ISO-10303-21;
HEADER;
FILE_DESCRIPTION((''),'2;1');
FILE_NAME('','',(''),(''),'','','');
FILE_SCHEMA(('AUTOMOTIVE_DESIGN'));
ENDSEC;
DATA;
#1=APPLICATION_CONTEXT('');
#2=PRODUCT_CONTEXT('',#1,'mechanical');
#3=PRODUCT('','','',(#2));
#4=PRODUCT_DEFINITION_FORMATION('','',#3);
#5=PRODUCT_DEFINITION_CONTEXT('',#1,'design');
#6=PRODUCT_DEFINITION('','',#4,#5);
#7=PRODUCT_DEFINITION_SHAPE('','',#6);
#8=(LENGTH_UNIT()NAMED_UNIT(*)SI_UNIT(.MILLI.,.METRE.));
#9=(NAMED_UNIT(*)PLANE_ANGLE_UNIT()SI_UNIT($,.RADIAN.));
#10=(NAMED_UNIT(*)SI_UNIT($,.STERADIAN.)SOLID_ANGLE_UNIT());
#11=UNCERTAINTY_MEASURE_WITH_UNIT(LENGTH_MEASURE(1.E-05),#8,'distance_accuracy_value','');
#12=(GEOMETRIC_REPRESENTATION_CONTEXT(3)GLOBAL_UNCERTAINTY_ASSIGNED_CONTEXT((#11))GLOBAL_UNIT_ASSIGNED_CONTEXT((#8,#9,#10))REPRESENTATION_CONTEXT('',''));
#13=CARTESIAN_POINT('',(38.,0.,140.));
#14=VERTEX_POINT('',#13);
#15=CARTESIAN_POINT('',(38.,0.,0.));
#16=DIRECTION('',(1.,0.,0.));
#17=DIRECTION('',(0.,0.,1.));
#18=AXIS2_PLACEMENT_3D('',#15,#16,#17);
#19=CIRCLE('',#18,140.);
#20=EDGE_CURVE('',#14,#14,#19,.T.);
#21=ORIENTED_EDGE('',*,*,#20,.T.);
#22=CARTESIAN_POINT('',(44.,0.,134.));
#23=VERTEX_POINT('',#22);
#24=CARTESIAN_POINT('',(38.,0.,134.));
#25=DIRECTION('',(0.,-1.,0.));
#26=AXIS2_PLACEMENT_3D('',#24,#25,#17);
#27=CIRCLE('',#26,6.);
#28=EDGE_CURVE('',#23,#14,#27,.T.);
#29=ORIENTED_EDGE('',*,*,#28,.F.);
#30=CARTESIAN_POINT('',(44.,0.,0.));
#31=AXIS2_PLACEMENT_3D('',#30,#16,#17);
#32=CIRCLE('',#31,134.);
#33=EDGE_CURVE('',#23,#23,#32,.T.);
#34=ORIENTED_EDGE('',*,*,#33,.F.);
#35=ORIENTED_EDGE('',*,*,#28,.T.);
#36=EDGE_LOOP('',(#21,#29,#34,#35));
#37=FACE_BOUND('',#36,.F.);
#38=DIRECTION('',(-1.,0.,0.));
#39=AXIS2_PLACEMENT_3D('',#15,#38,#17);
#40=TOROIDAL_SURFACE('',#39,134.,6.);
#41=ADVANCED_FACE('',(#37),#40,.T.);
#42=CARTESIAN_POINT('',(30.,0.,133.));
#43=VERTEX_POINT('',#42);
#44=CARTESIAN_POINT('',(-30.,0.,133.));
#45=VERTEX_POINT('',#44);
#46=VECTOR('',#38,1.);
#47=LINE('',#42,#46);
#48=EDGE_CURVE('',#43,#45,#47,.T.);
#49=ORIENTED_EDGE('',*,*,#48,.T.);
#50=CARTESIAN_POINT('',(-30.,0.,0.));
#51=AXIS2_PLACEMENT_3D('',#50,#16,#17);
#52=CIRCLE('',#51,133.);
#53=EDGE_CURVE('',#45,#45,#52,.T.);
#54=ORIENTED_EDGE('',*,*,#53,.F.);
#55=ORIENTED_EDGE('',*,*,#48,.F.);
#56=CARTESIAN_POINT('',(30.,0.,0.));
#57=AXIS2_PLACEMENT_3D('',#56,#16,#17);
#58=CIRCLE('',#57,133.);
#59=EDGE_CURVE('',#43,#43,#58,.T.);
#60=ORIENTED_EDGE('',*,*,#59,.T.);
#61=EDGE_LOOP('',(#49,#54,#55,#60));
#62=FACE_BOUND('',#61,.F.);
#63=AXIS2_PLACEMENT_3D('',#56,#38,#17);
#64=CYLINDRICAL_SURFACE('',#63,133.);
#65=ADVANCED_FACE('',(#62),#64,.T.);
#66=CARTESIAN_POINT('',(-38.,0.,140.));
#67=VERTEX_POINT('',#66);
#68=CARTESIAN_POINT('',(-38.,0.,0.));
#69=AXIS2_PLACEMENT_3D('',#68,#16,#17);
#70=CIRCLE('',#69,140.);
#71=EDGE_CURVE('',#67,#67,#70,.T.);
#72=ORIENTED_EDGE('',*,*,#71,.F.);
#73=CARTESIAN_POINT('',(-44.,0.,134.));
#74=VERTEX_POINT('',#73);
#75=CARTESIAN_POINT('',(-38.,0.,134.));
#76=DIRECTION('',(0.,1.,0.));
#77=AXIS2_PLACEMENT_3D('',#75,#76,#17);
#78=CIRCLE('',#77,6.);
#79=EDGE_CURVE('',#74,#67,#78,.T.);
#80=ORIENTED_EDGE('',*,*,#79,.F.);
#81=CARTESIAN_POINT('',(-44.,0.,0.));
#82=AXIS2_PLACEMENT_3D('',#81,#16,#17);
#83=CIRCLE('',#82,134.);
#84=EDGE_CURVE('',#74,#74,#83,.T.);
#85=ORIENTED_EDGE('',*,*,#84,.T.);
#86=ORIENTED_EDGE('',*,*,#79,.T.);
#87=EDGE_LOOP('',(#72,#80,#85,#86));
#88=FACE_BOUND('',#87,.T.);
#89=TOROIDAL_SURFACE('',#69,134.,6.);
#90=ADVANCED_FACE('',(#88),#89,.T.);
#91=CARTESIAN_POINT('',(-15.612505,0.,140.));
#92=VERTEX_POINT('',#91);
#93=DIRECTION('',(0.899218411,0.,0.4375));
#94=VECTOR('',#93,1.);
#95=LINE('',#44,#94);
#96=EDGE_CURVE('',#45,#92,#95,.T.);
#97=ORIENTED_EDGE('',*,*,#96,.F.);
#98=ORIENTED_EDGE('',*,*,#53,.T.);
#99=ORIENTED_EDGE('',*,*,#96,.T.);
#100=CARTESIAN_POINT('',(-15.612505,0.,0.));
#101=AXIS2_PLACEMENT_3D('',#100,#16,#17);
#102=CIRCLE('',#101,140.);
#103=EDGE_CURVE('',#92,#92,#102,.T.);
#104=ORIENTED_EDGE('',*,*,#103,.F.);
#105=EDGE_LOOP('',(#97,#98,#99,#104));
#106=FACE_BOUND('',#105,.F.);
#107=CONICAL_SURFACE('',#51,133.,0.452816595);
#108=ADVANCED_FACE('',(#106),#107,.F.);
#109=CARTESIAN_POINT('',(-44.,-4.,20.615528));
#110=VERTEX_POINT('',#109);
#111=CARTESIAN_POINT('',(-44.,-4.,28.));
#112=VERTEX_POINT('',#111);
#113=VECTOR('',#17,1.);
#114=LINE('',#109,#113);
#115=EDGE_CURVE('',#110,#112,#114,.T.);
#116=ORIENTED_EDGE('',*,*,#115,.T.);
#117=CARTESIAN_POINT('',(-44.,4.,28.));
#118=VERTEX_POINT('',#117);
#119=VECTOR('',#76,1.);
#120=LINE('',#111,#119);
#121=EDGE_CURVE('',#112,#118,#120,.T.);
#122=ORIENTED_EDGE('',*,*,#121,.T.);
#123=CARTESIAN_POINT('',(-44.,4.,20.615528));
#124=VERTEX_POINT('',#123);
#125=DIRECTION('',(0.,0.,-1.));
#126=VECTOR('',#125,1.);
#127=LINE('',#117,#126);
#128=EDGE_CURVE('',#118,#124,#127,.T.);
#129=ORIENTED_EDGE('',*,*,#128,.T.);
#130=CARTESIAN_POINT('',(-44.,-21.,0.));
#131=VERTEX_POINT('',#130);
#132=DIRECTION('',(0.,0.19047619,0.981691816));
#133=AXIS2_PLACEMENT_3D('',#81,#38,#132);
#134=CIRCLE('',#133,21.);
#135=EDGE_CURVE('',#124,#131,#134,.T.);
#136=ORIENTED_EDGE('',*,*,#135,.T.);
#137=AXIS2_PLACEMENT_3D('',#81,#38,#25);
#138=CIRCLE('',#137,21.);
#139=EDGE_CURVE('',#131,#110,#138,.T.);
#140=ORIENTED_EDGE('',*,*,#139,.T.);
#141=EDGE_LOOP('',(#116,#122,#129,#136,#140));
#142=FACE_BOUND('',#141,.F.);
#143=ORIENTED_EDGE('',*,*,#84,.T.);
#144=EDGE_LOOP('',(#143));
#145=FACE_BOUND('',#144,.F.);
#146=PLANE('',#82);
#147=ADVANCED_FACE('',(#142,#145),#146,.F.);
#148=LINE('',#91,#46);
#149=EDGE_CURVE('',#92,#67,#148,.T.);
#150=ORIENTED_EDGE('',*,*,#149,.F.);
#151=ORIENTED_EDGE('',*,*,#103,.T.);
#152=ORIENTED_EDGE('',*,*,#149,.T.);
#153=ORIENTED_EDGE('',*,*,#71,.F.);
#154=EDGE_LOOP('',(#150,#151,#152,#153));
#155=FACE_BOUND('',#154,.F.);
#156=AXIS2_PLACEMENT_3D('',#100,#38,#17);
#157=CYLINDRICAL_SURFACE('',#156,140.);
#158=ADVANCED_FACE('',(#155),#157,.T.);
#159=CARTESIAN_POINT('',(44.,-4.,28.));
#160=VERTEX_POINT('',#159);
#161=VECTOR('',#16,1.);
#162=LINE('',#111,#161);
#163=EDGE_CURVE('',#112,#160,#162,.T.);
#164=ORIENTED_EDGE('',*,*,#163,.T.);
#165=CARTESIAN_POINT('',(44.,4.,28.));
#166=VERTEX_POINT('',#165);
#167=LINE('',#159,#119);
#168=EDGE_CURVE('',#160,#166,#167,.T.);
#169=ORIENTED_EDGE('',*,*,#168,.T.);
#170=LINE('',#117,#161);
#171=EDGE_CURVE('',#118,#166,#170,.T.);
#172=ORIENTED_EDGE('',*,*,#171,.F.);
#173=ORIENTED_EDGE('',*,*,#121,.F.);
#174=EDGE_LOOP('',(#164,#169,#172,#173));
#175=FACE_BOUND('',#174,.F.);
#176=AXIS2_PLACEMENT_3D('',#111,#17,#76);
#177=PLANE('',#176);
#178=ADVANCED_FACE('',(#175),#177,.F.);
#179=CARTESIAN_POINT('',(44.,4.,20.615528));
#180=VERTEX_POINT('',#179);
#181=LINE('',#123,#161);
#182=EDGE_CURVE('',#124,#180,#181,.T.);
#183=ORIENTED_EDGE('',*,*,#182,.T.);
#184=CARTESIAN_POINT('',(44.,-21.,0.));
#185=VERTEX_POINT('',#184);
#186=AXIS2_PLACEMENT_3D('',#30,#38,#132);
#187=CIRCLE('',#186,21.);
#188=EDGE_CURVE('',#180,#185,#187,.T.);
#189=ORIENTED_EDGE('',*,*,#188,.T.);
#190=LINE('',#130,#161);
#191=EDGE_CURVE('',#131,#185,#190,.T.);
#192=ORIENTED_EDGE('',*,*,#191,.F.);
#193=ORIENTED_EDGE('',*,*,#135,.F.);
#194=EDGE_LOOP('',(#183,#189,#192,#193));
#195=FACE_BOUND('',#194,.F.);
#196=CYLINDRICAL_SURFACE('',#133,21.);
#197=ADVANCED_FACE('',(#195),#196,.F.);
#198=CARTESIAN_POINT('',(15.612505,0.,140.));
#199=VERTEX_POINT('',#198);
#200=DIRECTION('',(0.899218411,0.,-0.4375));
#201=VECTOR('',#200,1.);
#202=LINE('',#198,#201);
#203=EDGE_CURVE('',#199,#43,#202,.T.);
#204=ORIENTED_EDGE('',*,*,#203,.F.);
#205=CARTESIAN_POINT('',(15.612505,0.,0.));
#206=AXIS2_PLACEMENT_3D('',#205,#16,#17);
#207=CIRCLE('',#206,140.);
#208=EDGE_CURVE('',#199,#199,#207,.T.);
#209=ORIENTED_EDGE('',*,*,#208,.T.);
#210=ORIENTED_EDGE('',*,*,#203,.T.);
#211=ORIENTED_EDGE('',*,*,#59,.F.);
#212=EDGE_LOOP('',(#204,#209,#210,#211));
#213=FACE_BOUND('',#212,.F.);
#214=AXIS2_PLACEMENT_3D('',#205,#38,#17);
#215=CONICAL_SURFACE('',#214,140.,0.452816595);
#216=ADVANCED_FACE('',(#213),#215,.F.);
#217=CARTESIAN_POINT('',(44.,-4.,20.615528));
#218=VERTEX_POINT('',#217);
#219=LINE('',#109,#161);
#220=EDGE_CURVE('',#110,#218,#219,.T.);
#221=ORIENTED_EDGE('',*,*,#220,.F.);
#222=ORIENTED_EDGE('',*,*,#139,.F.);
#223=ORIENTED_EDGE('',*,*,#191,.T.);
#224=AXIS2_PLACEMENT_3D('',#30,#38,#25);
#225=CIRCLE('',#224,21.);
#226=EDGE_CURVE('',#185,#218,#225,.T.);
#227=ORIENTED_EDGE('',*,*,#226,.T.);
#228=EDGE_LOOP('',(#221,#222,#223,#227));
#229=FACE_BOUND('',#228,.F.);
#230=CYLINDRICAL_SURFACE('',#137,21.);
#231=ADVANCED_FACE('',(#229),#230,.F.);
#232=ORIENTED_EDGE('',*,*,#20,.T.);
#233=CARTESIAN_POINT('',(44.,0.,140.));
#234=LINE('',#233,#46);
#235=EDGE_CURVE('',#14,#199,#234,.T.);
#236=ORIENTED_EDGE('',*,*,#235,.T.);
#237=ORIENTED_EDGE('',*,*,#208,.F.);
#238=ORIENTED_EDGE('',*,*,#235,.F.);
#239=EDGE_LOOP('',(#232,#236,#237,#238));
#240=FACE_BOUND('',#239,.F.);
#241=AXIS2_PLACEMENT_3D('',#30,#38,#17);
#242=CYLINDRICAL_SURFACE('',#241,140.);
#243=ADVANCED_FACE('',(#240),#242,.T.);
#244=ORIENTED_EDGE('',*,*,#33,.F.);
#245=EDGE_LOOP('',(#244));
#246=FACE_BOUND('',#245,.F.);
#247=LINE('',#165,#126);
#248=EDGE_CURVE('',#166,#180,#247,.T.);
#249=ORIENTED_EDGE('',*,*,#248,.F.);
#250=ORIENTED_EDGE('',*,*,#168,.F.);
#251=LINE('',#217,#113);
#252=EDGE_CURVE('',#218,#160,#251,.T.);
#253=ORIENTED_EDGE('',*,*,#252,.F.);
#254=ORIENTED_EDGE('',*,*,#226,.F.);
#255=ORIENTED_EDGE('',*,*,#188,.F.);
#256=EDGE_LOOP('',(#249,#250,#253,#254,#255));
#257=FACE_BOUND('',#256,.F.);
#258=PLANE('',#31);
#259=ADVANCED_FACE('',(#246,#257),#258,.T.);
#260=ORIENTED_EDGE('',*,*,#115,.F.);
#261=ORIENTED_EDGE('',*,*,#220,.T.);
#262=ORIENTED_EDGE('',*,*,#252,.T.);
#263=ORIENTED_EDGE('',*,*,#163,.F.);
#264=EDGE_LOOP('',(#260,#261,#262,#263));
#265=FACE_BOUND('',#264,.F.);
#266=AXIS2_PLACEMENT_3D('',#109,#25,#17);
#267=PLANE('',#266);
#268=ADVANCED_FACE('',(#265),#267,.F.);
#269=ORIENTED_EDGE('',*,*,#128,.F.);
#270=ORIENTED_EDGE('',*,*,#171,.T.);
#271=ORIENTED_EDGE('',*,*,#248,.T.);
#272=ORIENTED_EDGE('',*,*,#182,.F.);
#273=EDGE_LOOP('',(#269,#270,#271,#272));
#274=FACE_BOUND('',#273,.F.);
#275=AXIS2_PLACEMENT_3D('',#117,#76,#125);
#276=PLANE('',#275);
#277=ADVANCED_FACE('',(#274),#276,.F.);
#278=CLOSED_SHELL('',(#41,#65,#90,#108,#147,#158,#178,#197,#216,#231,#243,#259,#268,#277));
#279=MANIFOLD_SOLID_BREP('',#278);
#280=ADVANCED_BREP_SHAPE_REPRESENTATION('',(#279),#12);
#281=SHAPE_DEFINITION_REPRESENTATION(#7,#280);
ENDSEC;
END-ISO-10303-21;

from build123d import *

# Parameters (mm, degrees)
F2_R     = 6
F4_DEPTH = 88


with BuildPart() as f1:
    # F0 (on Front) → F1 (revolve)
    with BuildSketch(Plane.XZ):
        Polygon((-44, 140), (-44, 0), (44, 0), (44, 140), (15.6125054301, 140), (30, 133), (-30, 133), (-15.6125054301, 140), align=None)
    revolve(axis=Axis((0, 0, 0), (1, 0, 0)))

    # F2
    f2_edges = [f1.edges().sort_by_distance(p)[0] for p in [
        (-44, 0, -140),
        (44, 0, -140),
    ]]
    fillet(f2_edges, radius=F2_R)

    # F3 (on face) → F4 (cut)
    with BuildSketch(Plane(origin=(-44, 0, 0), x_dir=(0, -1, 0), z_dir=(-1, 0, 0))):
        with BuildLine():
            ThreePointArc((-4, 20.6155281281), (-13.3603892159, -16.201851746), (21, 0))
            ThreePointArc((21, 0), (16.201851746, 13.3603892159), (4, 20.6155281281))
            Line((4, 20.6155281281), (4, 16))
            Line((4, 16), (-4, 16))
            Line((-4, 16), (-4, 20.6155281281))
        make_face()
        with BuildLine():
            Line((4, 16), (4, 20.6155281281))
            ThreePointArc((4, 20.6155281281), (0, 21), (-4, 20.6155281281))
            Line((-4, 20.6155281281), (-4, 16))
            Line((-4, 16), (4, 16))
        make_face()
        with BuildLine():
            ThreePointArc((-4, 20.6155281281), (0, 21), (4, 20.6155281281))
            Line((4, 20.6155281281), (4, 28))
            Line((4, 28), (-4, 28))
            Line((-4, 28), (-4, 20.6155281281))
        make_face()
    extrude(amount=-F4_DEPTH, mode=Mode.SUBTRACT)


solid = f1.part
